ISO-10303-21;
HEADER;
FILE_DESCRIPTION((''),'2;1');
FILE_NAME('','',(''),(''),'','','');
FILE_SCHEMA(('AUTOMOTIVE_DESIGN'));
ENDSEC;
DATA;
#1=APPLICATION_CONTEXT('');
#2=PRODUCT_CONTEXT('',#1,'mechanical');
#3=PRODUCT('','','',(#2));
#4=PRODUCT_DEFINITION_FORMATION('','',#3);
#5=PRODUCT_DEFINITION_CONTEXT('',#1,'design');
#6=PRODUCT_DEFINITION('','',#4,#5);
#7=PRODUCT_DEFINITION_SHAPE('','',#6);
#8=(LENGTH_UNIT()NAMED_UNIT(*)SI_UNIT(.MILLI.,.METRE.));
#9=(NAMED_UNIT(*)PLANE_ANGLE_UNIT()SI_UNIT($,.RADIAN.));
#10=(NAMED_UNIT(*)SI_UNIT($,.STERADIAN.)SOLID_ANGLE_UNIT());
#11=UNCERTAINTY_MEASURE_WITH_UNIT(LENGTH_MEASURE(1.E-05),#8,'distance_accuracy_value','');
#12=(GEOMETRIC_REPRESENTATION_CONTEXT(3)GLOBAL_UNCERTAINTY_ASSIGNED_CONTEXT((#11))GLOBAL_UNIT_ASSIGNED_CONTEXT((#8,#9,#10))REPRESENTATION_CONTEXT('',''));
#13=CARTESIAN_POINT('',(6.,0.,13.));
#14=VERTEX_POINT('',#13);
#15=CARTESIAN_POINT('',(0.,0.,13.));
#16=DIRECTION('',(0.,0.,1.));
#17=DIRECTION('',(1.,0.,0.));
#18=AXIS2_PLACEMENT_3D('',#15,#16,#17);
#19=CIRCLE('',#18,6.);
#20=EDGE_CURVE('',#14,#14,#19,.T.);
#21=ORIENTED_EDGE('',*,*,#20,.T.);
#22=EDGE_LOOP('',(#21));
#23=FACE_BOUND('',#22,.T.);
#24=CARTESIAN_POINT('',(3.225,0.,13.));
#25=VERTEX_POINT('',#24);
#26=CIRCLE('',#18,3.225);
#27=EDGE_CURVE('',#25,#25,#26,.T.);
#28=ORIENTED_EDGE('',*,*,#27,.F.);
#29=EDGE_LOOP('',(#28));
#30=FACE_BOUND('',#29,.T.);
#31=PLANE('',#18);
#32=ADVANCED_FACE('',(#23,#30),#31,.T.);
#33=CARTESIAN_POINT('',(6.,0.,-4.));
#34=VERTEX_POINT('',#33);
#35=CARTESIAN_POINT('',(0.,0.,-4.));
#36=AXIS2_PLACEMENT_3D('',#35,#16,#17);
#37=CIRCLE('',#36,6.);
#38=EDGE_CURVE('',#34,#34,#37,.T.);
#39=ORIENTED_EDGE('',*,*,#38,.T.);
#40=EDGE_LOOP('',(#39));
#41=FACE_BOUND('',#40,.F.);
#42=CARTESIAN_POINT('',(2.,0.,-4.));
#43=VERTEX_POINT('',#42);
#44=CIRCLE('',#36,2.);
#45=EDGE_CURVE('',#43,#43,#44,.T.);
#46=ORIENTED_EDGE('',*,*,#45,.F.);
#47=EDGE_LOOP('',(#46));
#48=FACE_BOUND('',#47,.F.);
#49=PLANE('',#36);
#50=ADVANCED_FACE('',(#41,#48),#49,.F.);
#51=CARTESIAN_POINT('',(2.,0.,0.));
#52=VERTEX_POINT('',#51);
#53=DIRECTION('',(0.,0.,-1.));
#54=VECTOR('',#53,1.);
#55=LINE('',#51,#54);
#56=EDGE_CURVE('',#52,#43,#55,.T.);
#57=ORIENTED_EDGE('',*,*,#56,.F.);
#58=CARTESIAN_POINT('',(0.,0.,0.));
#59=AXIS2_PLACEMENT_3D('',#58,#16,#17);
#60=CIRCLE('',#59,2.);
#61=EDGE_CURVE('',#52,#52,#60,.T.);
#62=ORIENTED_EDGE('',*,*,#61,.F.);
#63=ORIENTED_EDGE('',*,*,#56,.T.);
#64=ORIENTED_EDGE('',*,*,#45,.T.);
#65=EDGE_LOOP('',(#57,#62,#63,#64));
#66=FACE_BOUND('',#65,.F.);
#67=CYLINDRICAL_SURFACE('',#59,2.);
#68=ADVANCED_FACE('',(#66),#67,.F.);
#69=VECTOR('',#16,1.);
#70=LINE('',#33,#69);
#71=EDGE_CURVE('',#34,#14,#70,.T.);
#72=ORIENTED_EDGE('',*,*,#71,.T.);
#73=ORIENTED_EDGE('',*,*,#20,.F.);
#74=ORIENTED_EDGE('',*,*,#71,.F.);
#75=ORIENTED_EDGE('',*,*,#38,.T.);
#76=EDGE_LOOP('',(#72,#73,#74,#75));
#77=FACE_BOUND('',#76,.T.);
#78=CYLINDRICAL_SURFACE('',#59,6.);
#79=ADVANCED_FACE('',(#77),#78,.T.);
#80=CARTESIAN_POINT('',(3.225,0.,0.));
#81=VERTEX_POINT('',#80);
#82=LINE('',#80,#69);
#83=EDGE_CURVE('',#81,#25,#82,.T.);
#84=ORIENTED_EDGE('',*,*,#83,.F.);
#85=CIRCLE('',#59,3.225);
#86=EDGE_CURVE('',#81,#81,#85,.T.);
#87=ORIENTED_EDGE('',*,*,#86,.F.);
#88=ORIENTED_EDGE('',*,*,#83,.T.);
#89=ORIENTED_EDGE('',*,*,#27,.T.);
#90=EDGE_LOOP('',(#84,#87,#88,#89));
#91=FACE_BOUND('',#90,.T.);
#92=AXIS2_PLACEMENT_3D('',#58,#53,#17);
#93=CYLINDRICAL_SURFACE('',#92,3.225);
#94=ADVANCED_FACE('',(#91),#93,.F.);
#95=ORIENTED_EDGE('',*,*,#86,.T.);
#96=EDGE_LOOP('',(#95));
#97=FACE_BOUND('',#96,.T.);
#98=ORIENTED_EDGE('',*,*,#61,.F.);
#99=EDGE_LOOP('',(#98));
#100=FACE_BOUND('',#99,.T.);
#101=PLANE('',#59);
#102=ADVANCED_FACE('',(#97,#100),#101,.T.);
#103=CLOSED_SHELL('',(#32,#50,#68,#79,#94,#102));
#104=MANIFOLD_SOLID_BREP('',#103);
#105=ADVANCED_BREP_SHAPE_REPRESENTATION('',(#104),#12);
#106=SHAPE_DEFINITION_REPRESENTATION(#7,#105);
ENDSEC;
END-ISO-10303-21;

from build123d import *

# Parameters (mm, degrees)
F0_R     = 6
F0_R_2   = 3.225
F1_DEPTH = 13
F2_R     = 6
F2_R_2   = 2
F3_DEPTH = 4


with BuildPart() as f1:
    # F0 (on Top) → F1 (new body)
    with BuildSketch(Plane.XY):
        Circle(F0_R)
        Circle(F0_R_2, mode=Mode.SUBTRACT)
    extrude(amount=F1_DEPTH)

    # F2 (on Top) → F3 (join)
    with BuildSketch(Plane.XY):
        Circle(F2_R)
        Circle(F2_R_2, mode=Mode.SUBTRACT)
    extrude(amount=-F3_DEPTH)


solid = f1.part
